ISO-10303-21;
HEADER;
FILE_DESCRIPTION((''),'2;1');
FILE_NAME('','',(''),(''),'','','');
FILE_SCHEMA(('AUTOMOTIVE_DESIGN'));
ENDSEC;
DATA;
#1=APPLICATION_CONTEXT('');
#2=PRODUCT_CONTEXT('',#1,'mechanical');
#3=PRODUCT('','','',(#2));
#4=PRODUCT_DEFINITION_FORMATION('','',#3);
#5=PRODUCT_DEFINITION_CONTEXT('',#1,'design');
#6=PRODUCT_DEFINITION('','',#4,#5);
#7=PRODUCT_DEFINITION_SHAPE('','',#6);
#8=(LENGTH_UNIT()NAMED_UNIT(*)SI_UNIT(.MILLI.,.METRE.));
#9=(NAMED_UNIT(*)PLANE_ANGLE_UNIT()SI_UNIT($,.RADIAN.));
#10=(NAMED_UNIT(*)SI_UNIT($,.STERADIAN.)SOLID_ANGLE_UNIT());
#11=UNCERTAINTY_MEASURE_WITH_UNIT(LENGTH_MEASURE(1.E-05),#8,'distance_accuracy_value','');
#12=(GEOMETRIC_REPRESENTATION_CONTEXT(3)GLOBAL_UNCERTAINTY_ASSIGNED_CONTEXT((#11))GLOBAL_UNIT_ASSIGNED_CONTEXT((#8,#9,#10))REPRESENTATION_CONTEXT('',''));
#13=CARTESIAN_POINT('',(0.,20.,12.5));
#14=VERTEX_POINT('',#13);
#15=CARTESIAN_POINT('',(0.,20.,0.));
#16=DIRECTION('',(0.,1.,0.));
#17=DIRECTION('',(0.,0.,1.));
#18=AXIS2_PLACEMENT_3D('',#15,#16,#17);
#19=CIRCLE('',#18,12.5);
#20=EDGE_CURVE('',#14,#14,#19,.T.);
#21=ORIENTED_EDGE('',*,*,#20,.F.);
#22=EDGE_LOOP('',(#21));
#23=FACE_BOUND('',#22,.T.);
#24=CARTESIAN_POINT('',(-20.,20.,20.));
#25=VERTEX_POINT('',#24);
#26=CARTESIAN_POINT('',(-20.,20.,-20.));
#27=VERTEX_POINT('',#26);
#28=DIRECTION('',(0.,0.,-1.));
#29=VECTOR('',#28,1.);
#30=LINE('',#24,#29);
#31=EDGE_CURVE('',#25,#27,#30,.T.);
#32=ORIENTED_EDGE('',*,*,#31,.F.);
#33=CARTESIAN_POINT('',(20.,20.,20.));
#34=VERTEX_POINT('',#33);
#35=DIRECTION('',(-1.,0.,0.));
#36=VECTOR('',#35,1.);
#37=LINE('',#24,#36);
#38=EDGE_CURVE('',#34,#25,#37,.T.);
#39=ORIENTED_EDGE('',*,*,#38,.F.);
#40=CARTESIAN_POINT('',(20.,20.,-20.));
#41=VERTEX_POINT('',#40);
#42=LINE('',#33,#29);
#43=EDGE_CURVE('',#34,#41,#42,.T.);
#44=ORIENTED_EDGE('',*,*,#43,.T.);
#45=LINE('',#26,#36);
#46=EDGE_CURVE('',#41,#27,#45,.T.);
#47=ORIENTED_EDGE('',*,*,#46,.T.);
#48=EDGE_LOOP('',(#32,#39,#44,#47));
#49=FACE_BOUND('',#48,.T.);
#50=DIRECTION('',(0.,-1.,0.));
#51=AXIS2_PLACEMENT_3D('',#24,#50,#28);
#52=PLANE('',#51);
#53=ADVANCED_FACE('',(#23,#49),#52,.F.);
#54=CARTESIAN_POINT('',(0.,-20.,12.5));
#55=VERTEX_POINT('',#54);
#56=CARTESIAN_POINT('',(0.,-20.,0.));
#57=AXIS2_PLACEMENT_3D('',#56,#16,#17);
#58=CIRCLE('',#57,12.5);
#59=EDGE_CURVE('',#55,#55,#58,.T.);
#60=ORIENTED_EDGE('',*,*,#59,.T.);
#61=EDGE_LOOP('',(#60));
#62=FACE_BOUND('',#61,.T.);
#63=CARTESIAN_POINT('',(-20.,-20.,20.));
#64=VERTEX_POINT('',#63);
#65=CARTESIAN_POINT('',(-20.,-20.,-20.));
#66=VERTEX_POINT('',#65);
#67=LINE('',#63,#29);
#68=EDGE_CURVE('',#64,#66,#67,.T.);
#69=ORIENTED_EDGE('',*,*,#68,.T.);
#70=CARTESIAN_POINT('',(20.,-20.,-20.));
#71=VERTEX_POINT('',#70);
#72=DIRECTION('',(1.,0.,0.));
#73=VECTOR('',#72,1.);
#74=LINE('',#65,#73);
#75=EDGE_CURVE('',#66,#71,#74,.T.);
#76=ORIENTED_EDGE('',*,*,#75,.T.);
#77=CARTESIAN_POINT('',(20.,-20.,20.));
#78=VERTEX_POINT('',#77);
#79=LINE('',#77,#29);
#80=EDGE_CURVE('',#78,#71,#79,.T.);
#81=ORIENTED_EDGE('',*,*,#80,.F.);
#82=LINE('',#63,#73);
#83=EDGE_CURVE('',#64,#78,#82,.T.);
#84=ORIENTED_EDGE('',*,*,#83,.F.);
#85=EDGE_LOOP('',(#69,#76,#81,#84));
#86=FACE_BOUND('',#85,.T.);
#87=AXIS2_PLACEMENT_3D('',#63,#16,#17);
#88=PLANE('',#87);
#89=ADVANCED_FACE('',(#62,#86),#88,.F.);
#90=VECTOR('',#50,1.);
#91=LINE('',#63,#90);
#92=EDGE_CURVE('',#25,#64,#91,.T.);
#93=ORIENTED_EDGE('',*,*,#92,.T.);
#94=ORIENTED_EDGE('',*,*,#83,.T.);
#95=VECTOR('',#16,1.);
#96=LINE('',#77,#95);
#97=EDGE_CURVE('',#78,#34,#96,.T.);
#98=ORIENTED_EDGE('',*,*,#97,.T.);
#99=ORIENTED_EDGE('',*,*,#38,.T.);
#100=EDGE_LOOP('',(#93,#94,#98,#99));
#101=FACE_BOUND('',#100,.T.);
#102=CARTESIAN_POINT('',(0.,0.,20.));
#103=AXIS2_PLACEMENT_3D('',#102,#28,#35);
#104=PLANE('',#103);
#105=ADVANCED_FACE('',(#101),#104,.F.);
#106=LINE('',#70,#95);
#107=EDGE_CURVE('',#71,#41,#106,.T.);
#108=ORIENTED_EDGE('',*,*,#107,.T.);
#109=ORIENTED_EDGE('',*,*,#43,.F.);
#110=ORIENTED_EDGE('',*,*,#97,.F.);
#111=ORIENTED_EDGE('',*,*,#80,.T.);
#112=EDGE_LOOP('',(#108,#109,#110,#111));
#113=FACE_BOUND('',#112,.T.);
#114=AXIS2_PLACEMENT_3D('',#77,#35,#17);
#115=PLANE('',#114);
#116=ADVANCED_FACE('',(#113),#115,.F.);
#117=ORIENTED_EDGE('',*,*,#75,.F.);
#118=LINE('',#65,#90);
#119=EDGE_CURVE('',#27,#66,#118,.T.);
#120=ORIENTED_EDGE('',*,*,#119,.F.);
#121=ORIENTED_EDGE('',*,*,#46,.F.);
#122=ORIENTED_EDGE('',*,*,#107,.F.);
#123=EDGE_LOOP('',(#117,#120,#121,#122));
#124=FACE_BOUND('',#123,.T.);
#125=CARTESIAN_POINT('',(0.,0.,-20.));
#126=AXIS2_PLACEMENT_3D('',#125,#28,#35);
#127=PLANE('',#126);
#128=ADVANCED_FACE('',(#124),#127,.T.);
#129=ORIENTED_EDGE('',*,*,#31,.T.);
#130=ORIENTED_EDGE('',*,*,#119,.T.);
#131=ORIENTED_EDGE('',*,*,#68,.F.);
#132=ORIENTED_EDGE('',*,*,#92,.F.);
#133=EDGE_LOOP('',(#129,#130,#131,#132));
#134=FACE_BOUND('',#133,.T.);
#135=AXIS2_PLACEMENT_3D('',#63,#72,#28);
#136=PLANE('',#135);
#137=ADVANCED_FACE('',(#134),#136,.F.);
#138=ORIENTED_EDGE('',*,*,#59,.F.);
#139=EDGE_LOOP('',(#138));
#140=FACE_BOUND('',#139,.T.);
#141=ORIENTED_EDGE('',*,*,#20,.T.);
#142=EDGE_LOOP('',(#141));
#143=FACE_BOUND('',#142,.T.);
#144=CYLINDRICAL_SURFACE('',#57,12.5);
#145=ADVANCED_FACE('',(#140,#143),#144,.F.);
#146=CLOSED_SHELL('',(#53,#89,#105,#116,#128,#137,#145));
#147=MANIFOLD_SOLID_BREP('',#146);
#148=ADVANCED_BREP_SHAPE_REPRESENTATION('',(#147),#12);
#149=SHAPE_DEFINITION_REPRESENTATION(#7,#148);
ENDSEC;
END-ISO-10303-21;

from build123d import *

# Parameters (mm, degrees)
SKETCH1_W               = 40
SKETCH1_H               = 40
BOSS_EXTRUDE1_DEPTH     = 20
CUT_EXTRUDE2_DEPTH      = 35.641016151
CUT_EXTRUDE2_DEPTH_BACK = 35.641016151
SKETCH2_R               = 12.5


with BuildPart() as part:
    # Sketch1 → Boss-Extrude1 (new, symmetric)
    with BuildSketch(Plane.XY):
        Rectangle(SKETCH1_W, SKETCH1_H)
    extrude(amount=BOSS_EXTRUDE1_DEPTH, both=True)

    # Sketch2 → Cut-Extrude2 (cut, two sides: drawn at the far end of the back side and taken through both)
    with BuildSketch(Plane.ZX.offset(-CUT_EXTRUDE2_DEPTH_BACK)):
        Circle(SKETCH2_R)
    extrude(amount=CUT_EXTRUDE2_DEPTH + CUT_EXTRUDE2_DEPTH_BACK, mode=Mode.SUBTRACT)


solid = part.part
